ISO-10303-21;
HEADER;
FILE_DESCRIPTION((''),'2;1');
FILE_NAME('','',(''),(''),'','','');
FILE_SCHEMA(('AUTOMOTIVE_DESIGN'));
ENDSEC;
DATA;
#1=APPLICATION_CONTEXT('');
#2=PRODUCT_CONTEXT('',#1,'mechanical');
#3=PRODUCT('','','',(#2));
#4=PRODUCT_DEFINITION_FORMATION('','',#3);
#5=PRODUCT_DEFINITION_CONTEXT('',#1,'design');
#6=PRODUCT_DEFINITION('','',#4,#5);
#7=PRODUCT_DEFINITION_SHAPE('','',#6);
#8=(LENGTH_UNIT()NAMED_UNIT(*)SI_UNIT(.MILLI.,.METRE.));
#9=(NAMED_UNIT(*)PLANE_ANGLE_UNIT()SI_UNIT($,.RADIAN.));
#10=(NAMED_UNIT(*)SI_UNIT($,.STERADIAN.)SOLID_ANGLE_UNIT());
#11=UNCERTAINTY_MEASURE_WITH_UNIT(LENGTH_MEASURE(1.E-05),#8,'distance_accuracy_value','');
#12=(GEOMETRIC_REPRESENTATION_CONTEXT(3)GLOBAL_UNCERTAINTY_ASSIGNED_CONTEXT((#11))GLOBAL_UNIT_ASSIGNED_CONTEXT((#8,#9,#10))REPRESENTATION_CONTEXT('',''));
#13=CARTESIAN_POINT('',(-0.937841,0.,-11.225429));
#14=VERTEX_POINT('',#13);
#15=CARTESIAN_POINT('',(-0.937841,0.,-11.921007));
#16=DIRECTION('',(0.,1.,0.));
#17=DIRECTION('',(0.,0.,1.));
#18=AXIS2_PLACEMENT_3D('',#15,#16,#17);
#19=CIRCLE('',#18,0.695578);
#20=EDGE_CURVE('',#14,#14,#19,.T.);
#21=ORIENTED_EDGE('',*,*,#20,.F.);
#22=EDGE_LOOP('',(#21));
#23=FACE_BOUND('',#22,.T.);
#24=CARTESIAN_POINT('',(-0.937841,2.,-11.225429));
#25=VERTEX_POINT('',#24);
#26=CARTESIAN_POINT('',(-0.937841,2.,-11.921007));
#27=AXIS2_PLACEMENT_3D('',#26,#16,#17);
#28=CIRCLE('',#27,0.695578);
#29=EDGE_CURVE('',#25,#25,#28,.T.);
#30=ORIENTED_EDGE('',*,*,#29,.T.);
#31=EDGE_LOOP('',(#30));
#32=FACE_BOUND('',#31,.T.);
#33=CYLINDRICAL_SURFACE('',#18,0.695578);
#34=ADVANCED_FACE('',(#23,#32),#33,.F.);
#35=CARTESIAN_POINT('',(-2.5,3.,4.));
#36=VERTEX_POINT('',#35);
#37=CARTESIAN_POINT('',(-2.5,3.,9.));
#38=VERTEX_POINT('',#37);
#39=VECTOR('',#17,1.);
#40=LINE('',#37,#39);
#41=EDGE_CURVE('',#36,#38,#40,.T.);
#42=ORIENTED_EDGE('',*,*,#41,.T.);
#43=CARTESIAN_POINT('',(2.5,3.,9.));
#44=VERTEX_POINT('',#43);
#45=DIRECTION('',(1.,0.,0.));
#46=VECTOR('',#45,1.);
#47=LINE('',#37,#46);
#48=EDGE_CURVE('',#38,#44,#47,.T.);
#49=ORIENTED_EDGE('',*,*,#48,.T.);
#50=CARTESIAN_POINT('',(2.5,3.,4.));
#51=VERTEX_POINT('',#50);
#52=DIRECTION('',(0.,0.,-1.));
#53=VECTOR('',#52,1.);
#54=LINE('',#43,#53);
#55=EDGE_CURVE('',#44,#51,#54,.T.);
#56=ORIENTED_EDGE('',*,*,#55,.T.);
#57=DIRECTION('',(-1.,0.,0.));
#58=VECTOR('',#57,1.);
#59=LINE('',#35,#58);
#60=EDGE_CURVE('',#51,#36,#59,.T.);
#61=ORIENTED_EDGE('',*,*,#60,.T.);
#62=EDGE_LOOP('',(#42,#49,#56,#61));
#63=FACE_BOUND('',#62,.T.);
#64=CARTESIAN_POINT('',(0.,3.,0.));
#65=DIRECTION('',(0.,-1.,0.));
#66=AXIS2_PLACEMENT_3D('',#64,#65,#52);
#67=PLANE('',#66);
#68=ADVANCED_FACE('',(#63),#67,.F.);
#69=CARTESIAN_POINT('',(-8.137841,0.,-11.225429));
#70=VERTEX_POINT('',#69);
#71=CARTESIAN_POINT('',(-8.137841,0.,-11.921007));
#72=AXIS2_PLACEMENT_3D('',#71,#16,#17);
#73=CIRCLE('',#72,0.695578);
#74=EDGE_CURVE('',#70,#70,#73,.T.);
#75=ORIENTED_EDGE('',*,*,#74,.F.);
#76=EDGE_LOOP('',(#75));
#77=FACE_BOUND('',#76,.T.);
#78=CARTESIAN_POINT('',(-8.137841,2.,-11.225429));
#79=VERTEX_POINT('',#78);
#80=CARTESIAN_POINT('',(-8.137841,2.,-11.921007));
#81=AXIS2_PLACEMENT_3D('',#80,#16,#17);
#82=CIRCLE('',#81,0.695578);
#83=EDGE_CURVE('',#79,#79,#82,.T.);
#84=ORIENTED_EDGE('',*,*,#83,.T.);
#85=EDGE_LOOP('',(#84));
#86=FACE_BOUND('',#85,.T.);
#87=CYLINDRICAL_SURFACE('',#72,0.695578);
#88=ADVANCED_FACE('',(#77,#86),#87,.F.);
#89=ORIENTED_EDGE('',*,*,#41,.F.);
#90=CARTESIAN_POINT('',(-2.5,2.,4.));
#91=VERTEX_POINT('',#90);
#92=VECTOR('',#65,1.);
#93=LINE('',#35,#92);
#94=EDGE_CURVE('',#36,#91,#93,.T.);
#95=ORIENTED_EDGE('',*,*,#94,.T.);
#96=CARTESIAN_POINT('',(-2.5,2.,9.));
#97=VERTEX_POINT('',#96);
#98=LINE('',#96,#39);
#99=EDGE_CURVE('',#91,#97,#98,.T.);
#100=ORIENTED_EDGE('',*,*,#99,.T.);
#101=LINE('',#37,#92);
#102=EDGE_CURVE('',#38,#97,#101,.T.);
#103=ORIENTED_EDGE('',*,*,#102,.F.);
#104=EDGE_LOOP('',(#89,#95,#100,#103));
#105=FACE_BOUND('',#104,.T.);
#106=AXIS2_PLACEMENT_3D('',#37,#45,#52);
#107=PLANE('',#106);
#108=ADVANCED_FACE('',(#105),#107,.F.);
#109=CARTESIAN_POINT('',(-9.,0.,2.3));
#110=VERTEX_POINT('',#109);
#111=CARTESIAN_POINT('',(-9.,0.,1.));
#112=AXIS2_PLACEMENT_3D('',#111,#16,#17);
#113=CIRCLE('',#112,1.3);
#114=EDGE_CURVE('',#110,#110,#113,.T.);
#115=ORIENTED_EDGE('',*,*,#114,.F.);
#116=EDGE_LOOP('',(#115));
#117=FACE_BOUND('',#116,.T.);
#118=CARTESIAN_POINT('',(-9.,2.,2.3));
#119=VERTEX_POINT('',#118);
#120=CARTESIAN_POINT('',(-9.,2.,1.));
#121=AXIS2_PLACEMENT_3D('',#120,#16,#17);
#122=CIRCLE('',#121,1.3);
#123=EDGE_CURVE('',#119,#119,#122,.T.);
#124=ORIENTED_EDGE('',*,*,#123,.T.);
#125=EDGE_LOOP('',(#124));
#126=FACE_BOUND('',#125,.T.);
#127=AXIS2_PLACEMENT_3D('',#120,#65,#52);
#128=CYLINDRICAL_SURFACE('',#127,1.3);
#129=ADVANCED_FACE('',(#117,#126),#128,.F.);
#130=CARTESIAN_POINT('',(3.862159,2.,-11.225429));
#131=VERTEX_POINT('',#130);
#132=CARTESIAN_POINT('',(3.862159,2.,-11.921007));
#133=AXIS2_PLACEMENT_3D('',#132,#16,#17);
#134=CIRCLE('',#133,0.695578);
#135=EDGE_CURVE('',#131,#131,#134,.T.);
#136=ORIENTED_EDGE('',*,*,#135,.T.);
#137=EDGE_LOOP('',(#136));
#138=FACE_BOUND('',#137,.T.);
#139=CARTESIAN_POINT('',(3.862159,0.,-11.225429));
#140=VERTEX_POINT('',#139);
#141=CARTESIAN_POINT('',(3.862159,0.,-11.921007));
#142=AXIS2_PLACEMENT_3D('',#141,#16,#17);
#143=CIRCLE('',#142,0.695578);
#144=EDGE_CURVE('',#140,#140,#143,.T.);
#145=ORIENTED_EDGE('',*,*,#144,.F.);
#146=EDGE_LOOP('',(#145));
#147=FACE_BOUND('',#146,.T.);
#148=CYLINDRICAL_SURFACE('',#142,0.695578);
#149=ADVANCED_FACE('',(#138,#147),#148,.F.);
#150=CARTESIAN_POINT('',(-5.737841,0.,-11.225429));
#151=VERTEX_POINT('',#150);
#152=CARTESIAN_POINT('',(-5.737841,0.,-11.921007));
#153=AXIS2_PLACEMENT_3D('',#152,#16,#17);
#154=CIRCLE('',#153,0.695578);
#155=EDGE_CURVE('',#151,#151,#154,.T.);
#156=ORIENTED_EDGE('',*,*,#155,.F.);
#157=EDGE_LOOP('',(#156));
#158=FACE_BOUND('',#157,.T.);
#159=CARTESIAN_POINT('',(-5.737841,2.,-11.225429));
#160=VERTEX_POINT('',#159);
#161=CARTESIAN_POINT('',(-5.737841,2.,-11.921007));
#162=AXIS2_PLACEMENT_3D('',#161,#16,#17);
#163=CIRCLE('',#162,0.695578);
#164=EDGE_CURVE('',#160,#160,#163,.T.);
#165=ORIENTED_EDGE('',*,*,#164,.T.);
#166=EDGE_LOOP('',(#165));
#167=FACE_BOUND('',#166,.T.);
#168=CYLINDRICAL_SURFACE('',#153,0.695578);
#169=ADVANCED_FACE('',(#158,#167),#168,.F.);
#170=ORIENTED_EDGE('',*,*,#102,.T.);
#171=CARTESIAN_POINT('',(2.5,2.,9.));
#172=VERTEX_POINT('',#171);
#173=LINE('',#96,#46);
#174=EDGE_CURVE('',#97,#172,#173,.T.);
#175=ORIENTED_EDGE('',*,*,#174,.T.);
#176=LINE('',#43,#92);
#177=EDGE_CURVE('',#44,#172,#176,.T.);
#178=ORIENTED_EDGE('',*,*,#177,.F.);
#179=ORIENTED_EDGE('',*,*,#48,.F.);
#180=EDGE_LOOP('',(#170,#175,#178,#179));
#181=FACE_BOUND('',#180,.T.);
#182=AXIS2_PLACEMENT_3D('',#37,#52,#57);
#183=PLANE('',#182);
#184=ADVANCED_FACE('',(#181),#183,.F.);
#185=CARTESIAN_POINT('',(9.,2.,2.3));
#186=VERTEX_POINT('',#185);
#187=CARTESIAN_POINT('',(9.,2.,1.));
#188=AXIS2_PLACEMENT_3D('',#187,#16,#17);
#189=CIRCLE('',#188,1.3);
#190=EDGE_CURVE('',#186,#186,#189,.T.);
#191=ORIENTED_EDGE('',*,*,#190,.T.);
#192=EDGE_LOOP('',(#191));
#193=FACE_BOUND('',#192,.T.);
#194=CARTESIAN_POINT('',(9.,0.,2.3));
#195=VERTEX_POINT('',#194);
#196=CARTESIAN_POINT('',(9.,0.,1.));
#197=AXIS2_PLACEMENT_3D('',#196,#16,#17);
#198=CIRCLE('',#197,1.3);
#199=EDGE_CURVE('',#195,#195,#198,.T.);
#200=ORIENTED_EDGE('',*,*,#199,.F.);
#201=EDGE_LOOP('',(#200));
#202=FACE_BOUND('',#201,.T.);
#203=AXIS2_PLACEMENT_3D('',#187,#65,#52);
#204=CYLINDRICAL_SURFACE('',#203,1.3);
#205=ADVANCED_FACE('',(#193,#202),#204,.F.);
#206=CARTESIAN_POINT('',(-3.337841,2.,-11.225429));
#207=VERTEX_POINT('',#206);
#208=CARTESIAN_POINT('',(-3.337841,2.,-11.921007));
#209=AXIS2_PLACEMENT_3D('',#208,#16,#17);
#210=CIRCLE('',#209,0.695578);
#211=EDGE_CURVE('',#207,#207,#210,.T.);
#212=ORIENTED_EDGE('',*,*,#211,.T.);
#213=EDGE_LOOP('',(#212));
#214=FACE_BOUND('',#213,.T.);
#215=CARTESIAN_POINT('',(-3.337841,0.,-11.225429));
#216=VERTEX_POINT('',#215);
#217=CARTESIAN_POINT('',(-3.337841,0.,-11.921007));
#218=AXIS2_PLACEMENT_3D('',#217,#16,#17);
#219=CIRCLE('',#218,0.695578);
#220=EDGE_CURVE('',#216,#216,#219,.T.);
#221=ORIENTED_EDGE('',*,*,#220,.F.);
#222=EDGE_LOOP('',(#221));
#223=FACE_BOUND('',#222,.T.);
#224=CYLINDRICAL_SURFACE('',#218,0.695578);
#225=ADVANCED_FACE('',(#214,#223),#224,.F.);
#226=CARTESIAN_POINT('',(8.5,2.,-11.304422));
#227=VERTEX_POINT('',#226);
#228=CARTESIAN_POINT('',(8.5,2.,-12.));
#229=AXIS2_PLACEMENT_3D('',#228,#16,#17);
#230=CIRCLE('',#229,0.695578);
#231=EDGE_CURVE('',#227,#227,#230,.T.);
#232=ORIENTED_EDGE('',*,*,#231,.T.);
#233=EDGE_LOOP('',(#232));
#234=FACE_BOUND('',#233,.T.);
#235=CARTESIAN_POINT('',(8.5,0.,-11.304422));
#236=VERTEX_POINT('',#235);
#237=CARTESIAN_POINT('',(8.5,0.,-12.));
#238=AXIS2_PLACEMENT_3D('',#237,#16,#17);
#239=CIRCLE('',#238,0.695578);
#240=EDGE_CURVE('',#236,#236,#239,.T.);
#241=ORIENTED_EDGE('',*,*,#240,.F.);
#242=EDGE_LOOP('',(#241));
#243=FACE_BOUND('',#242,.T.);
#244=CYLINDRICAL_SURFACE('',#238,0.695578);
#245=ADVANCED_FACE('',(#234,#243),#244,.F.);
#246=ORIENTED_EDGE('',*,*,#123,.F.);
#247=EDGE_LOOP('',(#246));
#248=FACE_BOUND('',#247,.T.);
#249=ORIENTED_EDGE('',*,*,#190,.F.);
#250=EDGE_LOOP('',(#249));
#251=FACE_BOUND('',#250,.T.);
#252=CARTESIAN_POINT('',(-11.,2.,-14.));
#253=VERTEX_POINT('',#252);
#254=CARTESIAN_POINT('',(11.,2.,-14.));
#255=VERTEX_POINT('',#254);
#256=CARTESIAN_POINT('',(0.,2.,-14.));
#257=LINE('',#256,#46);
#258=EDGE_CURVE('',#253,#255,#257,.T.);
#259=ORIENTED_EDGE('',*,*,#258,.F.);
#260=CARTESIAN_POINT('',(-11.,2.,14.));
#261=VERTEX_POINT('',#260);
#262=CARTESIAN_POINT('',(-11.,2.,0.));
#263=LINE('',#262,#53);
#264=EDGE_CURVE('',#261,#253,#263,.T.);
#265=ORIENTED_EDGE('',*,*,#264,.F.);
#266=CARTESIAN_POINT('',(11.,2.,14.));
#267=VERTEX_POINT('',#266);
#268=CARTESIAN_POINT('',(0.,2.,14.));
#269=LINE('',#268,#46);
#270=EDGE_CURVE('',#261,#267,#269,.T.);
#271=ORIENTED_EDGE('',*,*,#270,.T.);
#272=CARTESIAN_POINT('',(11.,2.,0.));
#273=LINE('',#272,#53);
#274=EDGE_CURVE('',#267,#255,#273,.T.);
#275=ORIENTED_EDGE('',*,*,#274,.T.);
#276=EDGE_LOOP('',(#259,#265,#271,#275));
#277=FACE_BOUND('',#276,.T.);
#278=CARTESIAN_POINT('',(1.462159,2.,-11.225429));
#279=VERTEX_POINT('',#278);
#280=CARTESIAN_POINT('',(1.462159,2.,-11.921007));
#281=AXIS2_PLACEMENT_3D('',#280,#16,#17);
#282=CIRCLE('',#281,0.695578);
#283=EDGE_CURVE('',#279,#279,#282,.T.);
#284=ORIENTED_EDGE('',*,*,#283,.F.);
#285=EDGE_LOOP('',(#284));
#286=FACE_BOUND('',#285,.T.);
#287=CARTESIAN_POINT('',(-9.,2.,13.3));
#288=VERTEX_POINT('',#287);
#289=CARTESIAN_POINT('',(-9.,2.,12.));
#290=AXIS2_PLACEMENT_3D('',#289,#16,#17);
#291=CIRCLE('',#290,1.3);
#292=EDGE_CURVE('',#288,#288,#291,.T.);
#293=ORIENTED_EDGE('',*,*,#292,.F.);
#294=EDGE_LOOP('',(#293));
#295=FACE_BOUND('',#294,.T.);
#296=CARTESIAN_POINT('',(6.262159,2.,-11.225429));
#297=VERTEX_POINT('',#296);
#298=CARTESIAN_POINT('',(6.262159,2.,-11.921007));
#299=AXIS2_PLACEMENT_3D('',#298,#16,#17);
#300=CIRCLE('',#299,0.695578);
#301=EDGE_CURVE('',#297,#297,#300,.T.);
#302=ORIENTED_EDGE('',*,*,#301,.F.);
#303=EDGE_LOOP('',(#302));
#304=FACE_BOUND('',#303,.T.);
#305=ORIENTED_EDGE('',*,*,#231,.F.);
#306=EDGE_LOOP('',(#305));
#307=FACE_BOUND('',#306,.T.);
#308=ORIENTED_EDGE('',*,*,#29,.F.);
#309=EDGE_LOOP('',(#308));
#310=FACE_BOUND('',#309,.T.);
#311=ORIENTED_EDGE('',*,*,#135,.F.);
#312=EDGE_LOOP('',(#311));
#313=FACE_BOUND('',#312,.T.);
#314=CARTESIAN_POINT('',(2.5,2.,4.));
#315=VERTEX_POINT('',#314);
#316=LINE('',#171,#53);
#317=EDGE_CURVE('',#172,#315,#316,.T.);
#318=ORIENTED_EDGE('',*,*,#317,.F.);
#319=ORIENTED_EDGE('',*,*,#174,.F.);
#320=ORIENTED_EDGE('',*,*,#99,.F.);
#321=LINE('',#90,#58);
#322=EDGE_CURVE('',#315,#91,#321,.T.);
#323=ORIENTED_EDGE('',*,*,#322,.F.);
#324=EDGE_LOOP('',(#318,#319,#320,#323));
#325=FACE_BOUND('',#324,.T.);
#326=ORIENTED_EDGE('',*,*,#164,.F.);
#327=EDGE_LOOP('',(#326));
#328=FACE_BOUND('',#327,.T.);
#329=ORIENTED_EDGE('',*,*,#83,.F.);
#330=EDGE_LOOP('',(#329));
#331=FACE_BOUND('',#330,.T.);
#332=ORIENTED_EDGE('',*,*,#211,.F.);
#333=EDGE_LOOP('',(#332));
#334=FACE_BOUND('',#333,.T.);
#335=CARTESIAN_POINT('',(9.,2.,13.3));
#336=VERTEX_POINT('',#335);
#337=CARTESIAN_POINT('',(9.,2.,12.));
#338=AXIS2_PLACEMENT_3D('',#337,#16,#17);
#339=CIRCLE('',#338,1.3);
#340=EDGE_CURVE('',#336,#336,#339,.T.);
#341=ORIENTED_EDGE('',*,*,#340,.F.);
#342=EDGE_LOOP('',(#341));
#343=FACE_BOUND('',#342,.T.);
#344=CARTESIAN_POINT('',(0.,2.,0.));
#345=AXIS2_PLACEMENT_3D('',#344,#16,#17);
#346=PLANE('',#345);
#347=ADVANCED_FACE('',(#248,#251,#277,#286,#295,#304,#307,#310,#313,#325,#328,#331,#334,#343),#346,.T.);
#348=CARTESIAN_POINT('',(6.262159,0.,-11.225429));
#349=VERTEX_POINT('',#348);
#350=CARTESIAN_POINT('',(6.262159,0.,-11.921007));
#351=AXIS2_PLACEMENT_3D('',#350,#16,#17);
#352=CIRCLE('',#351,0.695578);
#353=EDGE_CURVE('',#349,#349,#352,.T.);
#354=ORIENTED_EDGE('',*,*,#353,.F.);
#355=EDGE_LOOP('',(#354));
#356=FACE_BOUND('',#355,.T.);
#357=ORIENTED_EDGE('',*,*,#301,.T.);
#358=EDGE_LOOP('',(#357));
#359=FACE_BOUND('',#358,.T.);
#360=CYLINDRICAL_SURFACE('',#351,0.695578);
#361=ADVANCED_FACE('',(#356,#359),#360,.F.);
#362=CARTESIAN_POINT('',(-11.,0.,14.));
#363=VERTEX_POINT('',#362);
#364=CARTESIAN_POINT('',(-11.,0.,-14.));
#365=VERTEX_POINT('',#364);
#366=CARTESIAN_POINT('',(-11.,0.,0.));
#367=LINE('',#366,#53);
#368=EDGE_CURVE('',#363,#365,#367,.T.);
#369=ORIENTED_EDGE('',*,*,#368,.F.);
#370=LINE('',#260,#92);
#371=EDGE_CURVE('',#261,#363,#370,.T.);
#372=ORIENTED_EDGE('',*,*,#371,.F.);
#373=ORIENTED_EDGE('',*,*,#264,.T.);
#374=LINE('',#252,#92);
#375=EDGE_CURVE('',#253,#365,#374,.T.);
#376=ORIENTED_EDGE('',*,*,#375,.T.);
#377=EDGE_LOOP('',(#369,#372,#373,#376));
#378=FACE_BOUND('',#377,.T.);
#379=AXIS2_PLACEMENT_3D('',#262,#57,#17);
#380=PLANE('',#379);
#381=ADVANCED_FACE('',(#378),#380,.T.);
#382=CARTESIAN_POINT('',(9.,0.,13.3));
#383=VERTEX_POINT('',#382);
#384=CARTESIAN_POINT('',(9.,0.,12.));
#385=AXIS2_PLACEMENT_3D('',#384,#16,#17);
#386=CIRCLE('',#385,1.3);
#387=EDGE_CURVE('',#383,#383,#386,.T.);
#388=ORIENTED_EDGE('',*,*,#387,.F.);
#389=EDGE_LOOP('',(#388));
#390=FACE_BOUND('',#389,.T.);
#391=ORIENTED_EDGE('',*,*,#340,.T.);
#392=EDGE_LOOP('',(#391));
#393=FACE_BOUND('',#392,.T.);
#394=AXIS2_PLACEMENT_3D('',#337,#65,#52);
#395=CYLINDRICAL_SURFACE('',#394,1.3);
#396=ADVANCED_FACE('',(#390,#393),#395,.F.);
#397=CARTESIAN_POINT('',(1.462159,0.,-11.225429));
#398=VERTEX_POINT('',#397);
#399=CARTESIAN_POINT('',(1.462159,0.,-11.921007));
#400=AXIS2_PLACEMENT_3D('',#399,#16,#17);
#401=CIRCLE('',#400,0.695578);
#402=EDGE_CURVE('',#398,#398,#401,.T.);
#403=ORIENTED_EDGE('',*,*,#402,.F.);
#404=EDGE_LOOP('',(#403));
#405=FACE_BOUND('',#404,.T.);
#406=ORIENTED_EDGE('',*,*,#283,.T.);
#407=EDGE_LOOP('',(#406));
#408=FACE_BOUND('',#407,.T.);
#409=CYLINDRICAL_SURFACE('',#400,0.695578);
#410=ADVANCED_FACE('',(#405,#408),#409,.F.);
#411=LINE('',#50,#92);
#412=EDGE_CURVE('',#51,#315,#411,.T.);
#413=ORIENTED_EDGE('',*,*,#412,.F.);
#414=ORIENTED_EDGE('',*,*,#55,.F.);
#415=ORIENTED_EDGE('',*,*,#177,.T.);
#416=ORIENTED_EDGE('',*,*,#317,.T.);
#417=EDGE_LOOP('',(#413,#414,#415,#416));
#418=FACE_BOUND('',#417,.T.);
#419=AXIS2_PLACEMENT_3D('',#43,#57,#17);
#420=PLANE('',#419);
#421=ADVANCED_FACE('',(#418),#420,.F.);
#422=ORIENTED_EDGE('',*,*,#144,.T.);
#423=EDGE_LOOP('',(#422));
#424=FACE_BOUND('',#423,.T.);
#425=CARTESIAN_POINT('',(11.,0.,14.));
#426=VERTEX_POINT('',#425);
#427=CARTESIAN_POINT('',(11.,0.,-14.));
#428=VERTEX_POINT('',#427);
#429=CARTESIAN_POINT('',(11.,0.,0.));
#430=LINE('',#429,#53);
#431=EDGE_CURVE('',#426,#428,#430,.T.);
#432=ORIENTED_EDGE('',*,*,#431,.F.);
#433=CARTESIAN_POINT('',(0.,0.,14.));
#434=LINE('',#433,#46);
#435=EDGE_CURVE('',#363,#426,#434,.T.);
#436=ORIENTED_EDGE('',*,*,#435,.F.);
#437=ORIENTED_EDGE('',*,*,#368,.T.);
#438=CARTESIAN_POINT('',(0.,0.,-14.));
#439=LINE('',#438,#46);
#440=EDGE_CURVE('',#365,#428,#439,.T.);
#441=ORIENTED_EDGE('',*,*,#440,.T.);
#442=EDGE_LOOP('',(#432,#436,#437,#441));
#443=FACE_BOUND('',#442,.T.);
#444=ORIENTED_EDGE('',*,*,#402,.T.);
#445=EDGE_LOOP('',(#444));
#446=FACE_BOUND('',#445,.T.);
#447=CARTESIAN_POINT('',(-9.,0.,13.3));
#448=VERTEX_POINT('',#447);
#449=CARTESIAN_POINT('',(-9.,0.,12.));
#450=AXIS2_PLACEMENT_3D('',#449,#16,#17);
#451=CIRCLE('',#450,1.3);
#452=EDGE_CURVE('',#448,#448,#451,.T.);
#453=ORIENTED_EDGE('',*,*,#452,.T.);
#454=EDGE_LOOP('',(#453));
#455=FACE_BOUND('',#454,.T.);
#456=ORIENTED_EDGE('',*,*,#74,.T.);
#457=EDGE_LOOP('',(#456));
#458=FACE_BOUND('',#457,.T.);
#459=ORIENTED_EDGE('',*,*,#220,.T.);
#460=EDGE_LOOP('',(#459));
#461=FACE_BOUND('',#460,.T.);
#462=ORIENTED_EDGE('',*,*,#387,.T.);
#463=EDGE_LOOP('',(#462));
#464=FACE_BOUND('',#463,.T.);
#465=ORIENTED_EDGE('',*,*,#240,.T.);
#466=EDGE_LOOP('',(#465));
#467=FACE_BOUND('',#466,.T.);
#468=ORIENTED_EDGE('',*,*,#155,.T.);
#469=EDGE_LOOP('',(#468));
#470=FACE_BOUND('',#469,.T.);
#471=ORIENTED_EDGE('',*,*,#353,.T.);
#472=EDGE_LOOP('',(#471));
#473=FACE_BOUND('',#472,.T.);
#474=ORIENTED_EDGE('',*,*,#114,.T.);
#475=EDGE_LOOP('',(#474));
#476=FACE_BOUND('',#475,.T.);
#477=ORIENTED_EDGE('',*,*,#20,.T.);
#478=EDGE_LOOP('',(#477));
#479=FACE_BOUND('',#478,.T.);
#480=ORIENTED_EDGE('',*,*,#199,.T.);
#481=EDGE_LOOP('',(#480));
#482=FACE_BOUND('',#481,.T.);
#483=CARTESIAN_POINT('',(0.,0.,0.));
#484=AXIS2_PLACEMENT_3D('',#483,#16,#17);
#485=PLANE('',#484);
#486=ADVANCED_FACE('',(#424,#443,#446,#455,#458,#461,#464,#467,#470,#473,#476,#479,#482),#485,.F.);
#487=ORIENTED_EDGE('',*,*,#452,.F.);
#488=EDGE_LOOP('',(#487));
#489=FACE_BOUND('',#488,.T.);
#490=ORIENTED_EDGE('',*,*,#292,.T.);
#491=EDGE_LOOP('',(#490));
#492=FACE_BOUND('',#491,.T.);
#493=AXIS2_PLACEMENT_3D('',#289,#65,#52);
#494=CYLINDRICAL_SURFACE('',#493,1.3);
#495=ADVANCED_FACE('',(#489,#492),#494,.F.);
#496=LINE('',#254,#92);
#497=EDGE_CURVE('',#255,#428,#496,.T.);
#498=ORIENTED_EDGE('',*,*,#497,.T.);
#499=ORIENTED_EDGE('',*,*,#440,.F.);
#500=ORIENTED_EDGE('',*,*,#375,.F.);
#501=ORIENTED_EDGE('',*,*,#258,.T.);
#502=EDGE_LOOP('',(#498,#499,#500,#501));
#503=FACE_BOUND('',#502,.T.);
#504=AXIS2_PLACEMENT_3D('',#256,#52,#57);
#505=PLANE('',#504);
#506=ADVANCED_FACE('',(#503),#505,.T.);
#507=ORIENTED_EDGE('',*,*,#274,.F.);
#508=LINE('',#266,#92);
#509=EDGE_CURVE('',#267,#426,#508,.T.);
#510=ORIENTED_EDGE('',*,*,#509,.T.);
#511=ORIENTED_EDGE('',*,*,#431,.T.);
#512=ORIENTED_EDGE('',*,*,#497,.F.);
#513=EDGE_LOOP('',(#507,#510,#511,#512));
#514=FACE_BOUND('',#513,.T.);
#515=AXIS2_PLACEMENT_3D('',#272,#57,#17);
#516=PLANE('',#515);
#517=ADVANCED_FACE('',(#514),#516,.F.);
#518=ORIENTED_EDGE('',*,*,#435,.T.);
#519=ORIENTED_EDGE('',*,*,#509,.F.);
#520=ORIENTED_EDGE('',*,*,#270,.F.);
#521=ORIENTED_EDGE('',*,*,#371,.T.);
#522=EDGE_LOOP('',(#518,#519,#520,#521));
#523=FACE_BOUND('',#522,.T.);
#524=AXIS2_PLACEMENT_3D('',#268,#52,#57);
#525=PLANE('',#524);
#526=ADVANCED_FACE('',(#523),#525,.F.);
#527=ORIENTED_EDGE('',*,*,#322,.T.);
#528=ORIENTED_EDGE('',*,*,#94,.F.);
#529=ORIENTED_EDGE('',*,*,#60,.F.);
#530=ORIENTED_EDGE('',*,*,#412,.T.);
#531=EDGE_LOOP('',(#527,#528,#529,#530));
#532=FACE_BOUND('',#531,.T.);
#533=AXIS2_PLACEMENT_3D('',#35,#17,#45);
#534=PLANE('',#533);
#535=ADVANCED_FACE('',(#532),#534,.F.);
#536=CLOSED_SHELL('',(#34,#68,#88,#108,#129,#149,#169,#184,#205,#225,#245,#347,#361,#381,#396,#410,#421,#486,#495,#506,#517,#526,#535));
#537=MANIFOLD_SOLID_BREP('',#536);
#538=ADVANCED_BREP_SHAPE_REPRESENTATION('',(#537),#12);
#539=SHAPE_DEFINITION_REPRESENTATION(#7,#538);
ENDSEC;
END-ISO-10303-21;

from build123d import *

# Parameters (mm, degrees)
SKETCH2_W          = 22
SKETCH2_H          = 28
SKETCH2_R          = 1.3
MAINBODY_DEPTH     = 2
SKETCH3_W          = 5
SKETCH3_H          = 5
CHIP_DEPTH         = 1
SKETCH4_R          = 0.695578212
CUT_EXTRUDE1_DEPTH = 18.916472867


with BuildPart() as part:
    # Sketch2 → MainBody (new body)
    with BuildSketch(Plane(origin=(0, 0, 0), x_dir=(1, 0, 0), z_dir=(0, 1, 0))):
        Rectangle(SKETCH2_W, SKETCH2_H)
        with Locations(Location((9, -1, 0), (0, 0, 270))):
            Circle(SKETCH2_R, mode=Mode.SUBTRACT)
        with Locations(Location((-9, -1, 0), (0, 0, 270))):
            Circle(SKETCH2_R, mode=Mode.SUBTRACT)
        with Locations(Location((-9, -12, 0), (0, 0, 270))):
            Circle(SKETCH2_R, mode=Mode.SUBTRACT)
        with Locations(Location((9, -12, 0), (0, 0, 270))):
            Circle(SKETCH2_R, mode=Mode.SUBTRACT)
    extrude(amount=MAINBODY_DEPTH)

    # Sketch3 → chip (add)
    with BuildSketch(Plane(origin=(0, 2, 0), x_dir=(1, 0, 0), z_dir=(0, 1, 0))):
        with Locations((0, -6.5)):
            Rectangle(SKETCH3_W, SKETCH3_H)
    extrude(amount=CHIP_DEPTH)

    # Sketch4 → Cut-Extrude1 (cut, through all)
    with BuildSketch(Plane(origin=(0, 2, 0), x_dir=(1, 0, 0), z_dir=(0, 1, 0))):
        with Locations(Location((-8.137841022, 11.921007347, 0), (0, 0, 270))):
            Circle(SKETCH4_R)
        with Locations(Location((8.5, 12, 0), (0, 0, 270))):
            Circle(SKETCH4_R)
        with Locations(Location((-5.737841022, 11.921007347, 0), (0, 0, 270))):
            Circle(SKETCH4_R)
        with Locations(Location((-3.337841022, 11.921007347, 0), (0, 0, 270))):
            Circle(SKETCH4_R)
        with Locations(Location((-0.937841022, 11.921007347, 0), (0, 0, 270))):
            Circle(SKETCH4_R)
        with Locations(Location((1.462158978, 11.921007347, 0), (0, 0, 270))):
            Circle(SKETCH4_R)
        with Locations(Location((3.862158978, 11.921007347, 0), (0, 0, 270))):
            Circle(SKETCH4_R)
        with Locations(Location((6.262158978, 11.921007347, 0), (0, 0, 270))):
            Circle(SKETCH4_R)
    extrude(amount=-CUT_EXTRUDE1_DEPTH, mode=Mode.SUBTRACT)


solid = part.part
